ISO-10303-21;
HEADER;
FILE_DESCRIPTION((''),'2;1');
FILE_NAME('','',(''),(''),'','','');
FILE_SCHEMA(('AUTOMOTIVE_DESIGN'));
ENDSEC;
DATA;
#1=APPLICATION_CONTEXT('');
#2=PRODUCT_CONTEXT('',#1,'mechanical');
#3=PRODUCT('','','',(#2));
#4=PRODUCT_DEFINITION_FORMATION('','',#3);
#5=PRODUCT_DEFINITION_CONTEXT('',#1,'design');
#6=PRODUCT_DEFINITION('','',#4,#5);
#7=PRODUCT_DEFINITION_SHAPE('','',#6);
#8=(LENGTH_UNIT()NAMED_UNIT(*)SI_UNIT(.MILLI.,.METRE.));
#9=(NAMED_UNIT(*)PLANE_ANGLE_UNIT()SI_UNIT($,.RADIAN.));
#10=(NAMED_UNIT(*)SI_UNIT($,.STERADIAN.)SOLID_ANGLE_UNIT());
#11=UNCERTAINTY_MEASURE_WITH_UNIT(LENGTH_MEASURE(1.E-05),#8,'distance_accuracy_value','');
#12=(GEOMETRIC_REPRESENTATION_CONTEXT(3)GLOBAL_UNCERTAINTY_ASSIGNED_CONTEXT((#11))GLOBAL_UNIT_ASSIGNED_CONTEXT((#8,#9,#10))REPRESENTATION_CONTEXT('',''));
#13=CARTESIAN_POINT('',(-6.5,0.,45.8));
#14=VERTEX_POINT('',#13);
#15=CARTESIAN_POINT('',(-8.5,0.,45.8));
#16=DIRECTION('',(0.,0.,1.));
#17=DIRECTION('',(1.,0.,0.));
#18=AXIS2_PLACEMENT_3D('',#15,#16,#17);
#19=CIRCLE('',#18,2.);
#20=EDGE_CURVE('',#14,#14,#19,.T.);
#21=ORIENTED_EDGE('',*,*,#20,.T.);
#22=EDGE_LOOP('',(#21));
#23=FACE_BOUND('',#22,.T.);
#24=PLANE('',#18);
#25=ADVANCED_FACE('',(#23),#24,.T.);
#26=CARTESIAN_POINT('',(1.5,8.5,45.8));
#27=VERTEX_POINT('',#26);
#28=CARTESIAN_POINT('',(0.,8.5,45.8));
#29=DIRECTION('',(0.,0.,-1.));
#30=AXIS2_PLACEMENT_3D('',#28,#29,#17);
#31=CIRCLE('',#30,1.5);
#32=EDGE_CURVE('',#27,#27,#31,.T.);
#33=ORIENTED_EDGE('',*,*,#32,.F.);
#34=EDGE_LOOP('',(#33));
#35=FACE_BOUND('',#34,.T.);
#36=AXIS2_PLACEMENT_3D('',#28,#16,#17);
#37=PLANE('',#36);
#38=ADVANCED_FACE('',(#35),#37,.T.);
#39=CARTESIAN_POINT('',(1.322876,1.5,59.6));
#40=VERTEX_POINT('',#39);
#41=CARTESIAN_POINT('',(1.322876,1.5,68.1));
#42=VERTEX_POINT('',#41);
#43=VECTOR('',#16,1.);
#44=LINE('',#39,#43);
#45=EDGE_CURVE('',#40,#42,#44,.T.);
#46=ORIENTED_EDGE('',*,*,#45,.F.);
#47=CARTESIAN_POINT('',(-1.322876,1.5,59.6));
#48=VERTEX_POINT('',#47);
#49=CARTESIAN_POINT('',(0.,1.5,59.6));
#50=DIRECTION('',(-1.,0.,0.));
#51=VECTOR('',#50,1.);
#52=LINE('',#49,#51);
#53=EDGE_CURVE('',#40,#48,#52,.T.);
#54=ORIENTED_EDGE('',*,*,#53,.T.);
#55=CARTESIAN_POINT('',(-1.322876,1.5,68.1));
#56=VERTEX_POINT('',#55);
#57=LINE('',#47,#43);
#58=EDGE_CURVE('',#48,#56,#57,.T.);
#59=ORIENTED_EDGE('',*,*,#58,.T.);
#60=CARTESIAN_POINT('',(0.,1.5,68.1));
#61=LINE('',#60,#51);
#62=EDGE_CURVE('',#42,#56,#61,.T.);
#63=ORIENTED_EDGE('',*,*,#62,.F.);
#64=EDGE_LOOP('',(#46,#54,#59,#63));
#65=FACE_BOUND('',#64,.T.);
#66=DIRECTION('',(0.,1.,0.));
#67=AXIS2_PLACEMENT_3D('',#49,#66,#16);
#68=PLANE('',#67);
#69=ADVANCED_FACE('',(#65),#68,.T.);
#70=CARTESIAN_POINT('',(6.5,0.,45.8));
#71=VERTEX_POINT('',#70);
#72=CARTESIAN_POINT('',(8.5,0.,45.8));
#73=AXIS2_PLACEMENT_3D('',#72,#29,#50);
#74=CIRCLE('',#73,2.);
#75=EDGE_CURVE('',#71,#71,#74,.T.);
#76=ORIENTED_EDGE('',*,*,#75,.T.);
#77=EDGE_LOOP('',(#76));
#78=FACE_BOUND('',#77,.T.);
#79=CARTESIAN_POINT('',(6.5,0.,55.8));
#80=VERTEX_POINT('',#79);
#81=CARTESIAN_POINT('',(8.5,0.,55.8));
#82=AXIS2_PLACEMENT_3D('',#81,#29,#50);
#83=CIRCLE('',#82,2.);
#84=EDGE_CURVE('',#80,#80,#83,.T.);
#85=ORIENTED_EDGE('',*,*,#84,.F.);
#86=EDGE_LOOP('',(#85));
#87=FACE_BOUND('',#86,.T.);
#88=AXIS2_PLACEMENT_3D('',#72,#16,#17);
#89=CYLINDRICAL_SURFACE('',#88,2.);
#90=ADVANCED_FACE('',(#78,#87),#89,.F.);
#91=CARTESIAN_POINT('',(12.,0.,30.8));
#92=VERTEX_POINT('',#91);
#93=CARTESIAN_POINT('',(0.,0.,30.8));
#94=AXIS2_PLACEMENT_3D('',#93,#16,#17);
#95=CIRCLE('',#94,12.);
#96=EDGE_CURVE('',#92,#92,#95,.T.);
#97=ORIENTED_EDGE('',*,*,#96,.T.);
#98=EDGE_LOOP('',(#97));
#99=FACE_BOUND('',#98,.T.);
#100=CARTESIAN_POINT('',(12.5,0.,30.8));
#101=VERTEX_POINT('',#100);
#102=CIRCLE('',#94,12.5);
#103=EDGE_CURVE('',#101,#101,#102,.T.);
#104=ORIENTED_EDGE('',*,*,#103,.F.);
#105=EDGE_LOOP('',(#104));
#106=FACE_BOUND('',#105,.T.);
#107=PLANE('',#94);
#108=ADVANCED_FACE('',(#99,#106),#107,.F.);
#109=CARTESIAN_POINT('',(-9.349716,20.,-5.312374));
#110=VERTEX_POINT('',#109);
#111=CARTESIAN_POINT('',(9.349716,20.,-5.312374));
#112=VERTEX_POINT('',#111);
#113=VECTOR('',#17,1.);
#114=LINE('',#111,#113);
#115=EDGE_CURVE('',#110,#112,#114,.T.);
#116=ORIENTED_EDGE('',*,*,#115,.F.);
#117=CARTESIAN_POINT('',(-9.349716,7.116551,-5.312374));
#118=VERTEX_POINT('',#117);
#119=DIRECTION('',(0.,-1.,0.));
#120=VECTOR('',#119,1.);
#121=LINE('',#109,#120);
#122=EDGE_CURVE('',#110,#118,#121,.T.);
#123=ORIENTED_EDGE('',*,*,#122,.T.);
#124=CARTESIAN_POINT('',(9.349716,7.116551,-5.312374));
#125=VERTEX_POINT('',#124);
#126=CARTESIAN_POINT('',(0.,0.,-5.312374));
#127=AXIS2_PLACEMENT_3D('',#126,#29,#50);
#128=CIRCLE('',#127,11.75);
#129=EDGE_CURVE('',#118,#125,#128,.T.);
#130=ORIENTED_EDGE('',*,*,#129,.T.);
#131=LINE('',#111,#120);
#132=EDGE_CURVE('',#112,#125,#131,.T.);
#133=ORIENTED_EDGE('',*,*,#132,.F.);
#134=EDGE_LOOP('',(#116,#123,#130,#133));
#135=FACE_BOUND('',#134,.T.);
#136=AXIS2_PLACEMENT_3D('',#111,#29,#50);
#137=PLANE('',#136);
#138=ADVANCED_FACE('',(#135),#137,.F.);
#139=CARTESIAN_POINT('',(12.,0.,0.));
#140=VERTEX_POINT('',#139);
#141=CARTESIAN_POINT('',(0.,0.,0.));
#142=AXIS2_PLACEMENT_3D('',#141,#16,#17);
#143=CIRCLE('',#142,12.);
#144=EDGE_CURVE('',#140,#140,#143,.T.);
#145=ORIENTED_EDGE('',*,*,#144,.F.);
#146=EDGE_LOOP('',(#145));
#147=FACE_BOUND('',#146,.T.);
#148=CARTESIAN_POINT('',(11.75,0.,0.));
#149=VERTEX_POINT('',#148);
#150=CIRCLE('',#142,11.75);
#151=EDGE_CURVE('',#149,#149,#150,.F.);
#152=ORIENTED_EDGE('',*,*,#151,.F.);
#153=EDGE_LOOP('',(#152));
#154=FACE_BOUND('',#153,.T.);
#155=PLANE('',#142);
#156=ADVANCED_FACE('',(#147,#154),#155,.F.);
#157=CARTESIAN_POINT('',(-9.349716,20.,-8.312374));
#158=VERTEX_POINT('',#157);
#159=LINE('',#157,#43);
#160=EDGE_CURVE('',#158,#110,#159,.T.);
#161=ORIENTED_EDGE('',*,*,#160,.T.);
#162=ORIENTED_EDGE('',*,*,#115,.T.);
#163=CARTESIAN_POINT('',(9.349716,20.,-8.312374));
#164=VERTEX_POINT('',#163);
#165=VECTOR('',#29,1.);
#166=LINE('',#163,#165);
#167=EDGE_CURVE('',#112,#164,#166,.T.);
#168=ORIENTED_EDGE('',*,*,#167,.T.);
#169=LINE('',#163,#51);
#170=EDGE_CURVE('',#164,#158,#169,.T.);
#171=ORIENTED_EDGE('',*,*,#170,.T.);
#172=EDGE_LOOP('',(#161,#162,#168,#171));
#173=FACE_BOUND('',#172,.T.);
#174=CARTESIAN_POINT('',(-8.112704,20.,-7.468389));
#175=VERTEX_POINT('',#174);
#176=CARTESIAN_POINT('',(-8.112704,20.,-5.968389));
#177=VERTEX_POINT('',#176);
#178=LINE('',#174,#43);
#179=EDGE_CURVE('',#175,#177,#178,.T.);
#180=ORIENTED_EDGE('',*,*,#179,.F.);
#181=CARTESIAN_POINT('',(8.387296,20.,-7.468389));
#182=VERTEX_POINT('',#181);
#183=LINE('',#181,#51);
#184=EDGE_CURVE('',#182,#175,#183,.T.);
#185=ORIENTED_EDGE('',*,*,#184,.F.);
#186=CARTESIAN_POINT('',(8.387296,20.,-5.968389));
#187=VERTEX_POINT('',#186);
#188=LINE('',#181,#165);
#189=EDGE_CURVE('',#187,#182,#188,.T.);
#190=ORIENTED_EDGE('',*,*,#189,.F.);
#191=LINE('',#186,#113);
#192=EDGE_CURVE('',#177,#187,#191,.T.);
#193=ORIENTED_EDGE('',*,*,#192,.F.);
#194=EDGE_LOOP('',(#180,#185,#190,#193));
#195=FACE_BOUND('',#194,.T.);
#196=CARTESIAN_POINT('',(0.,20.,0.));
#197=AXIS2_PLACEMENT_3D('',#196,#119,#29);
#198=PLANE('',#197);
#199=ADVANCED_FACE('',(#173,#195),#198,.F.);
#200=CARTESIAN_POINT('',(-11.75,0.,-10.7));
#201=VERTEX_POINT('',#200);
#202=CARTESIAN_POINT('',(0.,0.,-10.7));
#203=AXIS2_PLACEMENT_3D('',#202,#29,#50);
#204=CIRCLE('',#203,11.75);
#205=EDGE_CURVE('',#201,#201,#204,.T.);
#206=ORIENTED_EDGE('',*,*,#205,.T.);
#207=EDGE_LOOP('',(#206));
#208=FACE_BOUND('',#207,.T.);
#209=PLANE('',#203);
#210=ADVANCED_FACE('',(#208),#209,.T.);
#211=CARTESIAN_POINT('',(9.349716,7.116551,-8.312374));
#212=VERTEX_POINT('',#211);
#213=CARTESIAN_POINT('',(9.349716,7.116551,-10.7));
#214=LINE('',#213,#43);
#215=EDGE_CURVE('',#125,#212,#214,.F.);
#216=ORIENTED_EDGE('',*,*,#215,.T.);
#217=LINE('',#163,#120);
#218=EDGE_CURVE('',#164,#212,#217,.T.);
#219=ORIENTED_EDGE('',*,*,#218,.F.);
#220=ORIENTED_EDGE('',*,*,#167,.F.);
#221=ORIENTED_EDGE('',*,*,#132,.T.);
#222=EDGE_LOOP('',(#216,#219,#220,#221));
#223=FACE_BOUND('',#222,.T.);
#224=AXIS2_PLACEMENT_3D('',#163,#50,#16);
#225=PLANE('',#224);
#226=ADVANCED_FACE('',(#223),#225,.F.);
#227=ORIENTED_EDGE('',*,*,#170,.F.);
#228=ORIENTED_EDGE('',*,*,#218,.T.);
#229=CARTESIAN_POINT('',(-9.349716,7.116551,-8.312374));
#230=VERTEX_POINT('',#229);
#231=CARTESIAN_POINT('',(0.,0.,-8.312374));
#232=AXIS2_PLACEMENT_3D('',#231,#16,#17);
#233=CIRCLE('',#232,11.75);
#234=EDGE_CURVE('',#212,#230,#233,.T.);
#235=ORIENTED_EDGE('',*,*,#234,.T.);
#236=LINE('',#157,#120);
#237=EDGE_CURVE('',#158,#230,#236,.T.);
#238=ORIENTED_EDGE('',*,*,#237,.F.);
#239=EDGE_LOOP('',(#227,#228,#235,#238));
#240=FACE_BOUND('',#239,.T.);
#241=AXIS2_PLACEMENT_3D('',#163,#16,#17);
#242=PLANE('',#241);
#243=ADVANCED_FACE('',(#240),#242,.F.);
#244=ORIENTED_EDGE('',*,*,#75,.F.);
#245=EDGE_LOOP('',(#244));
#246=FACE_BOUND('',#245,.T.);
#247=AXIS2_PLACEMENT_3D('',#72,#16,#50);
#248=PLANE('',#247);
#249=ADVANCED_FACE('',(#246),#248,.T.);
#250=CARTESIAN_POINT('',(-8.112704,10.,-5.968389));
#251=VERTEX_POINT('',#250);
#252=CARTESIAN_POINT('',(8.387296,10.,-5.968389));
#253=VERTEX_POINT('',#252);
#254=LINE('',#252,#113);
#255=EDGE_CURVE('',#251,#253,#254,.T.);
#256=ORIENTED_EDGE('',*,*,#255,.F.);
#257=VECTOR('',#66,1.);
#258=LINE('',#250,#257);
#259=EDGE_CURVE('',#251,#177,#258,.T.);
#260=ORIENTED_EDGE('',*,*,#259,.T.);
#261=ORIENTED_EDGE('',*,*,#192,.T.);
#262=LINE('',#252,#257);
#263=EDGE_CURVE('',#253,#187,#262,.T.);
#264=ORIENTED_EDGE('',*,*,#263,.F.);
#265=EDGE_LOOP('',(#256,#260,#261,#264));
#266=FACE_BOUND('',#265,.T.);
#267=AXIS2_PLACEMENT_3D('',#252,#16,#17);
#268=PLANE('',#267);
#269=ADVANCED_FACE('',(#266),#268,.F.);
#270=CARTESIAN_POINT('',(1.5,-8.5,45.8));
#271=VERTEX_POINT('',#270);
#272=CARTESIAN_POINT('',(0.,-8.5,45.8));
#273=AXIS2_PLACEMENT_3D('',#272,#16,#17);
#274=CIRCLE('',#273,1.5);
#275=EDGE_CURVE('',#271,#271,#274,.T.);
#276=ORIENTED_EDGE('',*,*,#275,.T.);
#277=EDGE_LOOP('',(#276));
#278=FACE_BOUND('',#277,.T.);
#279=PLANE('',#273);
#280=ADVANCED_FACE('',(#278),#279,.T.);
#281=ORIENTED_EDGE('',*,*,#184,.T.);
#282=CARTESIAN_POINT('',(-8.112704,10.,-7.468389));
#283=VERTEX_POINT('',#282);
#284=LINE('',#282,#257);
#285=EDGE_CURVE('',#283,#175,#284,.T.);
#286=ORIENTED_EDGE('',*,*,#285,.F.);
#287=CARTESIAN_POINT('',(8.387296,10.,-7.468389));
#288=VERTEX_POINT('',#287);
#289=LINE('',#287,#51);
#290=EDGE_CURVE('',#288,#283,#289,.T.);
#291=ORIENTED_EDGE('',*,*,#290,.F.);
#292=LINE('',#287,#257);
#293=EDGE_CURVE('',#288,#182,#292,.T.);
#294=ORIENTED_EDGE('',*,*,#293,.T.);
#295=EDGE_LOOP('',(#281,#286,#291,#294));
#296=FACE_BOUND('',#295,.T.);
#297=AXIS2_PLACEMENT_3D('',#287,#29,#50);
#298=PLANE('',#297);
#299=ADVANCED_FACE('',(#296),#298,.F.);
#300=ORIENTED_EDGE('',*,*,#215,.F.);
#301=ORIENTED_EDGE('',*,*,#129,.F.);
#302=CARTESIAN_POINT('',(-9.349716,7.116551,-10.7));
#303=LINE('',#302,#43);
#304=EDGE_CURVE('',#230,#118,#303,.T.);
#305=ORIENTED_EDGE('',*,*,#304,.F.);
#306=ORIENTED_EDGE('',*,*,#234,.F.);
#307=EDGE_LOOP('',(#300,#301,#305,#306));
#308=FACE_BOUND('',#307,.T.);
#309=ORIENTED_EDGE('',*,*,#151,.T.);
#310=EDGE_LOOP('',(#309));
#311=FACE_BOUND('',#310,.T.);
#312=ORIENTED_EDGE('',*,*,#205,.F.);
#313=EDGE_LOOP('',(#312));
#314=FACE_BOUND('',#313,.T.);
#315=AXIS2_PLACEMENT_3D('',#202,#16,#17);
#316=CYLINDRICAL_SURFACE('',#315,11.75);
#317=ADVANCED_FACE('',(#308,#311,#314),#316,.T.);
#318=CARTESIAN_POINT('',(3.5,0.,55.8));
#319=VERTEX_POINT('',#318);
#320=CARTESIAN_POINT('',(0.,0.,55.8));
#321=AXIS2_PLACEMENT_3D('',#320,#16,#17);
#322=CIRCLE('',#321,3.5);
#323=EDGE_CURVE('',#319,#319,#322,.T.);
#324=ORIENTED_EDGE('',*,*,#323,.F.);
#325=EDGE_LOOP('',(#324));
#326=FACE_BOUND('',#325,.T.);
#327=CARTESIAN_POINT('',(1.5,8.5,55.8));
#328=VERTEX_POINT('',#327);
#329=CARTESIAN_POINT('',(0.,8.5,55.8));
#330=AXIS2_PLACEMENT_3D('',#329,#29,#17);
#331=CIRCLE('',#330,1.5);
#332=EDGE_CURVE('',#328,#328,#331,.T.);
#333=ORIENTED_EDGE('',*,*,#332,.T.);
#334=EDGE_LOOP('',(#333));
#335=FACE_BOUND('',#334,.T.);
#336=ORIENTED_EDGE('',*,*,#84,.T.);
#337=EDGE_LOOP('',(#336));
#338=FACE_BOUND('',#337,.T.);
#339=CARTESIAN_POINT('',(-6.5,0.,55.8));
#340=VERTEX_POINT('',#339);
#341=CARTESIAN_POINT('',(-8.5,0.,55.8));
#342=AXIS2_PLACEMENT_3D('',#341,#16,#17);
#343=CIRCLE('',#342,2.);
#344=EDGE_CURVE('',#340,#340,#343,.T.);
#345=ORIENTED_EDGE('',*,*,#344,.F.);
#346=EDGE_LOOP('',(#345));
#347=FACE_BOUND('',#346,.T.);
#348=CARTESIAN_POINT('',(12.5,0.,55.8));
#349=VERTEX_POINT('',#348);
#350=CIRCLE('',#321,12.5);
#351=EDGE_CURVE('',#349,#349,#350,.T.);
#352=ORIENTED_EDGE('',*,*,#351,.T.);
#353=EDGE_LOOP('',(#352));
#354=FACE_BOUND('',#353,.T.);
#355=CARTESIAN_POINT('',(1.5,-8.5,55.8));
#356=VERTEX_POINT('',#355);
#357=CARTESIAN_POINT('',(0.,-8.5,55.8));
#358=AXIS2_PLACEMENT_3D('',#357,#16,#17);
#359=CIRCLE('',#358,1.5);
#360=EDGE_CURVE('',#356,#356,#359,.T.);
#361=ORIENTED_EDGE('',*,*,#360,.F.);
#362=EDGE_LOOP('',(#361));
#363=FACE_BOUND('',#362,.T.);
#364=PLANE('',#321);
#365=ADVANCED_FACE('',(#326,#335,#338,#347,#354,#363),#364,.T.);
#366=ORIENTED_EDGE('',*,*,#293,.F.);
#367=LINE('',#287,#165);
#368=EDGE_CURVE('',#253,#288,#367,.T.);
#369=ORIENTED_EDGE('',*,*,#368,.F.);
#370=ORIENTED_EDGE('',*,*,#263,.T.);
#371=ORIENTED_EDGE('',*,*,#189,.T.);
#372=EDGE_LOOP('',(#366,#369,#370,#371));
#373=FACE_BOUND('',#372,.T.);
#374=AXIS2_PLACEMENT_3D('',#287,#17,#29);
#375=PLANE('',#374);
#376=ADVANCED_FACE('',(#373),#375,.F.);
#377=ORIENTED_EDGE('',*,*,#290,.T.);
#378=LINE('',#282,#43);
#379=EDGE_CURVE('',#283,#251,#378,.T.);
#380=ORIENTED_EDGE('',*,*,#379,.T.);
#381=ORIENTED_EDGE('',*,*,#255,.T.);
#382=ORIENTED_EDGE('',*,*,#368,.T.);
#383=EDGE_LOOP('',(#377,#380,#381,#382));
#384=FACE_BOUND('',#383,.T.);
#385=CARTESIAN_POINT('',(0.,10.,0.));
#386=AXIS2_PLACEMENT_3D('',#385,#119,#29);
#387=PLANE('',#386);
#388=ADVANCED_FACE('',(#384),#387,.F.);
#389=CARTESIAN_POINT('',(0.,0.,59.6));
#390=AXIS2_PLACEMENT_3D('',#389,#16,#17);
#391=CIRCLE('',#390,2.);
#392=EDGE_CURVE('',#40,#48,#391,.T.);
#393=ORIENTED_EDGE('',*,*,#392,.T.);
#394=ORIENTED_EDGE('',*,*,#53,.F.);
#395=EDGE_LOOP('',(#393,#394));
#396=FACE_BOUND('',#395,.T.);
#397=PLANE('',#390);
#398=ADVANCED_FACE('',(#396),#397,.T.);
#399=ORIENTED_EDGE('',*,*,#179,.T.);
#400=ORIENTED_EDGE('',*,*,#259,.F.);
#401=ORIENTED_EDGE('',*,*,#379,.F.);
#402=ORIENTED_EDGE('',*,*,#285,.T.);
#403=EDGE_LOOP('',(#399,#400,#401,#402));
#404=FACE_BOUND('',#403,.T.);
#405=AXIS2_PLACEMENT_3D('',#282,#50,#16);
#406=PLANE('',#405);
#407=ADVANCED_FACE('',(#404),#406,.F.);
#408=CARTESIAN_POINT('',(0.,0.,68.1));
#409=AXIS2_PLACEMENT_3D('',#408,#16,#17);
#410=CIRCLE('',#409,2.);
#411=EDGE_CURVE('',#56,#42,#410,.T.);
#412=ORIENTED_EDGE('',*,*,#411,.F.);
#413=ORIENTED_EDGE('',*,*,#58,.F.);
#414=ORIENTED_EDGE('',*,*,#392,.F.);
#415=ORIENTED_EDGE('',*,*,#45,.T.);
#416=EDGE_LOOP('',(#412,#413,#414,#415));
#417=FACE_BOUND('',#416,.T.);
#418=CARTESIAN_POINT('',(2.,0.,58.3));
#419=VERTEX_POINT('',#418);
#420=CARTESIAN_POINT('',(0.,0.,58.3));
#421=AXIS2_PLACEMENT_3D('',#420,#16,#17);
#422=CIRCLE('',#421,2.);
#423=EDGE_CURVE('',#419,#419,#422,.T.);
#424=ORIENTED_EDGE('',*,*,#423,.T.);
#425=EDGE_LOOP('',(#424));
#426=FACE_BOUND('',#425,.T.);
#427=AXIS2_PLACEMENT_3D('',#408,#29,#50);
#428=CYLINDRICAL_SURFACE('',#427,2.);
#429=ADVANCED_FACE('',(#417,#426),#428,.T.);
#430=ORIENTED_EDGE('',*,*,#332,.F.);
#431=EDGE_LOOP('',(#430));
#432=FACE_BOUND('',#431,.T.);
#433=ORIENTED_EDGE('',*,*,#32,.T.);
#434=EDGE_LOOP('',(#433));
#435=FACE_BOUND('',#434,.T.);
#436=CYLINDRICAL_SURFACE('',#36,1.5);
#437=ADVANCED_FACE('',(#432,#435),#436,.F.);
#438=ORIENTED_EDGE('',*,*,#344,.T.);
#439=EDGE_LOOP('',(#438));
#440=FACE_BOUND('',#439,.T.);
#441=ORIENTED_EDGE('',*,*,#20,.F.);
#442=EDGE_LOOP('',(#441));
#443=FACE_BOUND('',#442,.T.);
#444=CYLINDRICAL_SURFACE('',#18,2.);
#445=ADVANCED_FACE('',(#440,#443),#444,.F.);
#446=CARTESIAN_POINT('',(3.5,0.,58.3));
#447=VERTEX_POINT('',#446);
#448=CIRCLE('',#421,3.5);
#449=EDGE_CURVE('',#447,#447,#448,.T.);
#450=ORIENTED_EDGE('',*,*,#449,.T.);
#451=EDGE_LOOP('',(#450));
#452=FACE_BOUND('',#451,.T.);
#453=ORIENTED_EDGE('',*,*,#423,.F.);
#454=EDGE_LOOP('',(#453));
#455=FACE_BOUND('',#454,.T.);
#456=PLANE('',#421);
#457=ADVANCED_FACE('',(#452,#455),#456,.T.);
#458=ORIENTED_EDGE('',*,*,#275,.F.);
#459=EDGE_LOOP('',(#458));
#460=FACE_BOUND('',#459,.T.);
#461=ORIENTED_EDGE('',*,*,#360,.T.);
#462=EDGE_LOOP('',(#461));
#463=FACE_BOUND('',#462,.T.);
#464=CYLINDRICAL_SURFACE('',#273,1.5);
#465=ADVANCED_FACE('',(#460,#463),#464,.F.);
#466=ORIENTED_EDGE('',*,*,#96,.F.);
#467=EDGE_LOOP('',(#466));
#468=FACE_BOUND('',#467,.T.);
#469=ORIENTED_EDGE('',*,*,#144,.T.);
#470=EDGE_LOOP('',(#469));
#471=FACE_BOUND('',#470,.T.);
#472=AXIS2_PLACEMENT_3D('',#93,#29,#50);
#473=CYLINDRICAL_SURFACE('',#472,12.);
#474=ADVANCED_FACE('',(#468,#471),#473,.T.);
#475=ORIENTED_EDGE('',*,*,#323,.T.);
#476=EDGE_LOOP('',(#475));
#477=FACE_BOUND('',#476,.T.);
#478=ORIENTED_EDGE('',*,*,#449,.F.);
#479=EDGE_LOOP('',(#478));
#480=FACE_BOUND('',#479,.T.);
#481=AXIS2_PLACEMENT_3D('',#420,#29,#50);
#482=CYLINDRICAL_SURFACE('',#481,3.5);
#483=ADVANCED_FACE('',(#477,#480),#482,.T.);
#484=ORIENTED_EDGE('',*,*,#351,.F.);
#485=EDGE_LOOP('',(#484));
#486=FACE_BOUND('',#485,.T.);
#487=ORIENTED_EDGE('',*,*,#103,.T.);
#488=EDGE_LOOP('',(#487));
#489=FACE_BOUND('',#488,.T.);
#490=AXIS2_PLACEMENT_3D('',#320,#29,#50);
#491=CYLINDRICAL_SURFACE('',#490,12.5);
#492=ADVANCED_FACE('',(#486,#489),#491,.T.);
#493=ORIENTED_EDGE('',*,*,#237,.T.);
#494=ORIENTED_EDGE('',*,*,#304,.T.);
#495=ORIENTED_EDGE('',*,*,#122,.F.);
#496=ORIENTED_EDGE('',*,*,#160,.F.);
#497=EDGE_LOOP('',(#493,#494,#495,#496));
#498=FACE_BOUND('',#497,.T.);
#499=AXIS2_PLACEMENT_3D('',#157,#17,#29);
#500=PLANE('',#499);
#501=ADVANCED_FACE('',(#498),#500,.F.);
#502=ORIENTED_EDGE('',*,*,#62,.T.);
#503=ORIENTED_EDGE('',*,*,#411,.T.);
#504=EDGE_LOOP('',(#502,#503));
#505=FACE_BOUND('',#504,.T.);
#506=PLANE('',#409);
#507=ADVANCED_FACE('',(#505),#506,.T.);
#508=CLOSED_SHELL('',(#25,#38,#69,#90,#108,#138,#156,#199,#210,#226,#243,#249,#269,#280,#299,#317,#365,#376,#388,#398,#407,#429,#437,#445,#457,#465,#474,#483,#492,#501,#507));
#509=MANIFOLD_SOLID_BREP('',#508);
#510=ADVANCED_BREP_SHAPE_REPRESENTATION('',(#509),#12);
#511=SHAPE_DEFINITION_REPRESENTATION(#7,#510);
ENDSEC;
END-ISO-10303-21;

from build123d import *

# Parameters (mm, degrees)
SKETCH1_R           = 12
BOSS_EXTRUDE1_DEPTH = 30.8
SKETCH2_R           = 12.5
BOSS_EXTRUDE2_DEPTH = 25
SKETCH3_R           = 3.5
BOSS_EXTRUDE3_DEPTH = 2.5
SKETCH4_R           = 2
BOSS_EXTRUDE4_DEPTH = 9.8
CUT_EXTRUDE1_DEPTH  = 8.5
SKETCH6_R           = 11.75
BOSS_EXTRUDE5_DEPTH = 10.7
SKETCH7_W           = 18.699432978
SKETCH7_H           = 3
BOSS_EXTRUDE6_DEPTH = 20
SKETCH8_R           = 1.5
CUT_EXTRUDE2_DEPTH  = 10
SKETCH9_R           = 2
CUT_EXTRUDE3_DEPTH  = 10
SKETCH10_W          = 16.5
SKETCH10_H          = 1.5
CUT_EXTRUDE4_DEPTH  = 10


with BuildPart() as part:
    # Sketch1 → Boss-Extrude1 (new body)
    with BuildSketch(Plane.XY):
        Circle(SKETCH1_R)
    extrude(amount=BOSS_EXTRUDE1_DEPTH)

    # Sketch2 → Boss-Extrude2 (add)
    with BuildSketch(Plane.XY.offset(30.8)):
        Circle(SKETCH2_R)
    extrude(amount=BOSS_EXTRUDE2_DEPTH)

    # Sketch3 → Boss-Extrude3 (add)
    with BuildSketch(Plane.XY.offset(55.8)):
        Circle(SKETCH3_R)
    extrude(amount=BOSS_EXTRUDE3_DEPTH)

    # Sketch4 → Boss-Extrude4 (add)
    with BuildSketch(Plane.XY.offset(58.3)):
        Circle(SKETCH4_R)
    extrude(amount=BOSS_EXTRUDE4_DEPTH)

    # Sketch5 → Cut-Extrude1 (cut)
    with BuildSketch(Plane.XY.offset(68.1)):
        with BuildLine():
            Line((-1.322875656, 1.5), (0, 1.5))
            Line((0, 1.5), (1.322875656, 1.5))
            ThreePointArc((1.322875656, 1.5), (0, 2), (-1.322875656, 1.5))
        make_face()
    extrude(amount=-CUT_EXTRUDE1_DEPTH, mode=Mode.SUBTRACT)

    # Sketch6 → Boss-Extrude5 (add)
    with BuildSketch(Plane(origin=(0, 0, 0), x_dir=(-1, 0, 0), z_dir=(0, 0, -1))):
        Circle(SKETCH6_R)
    extrude(amount=BOSS_EXTRUDE5_DEPTH)

    # Sketch7 → Boss-Extrude6 (add)
    with BuildSketch(Plane(origin=(0, 0, 0), x_dir=(1, 0, 0), z_dir=(0, 1, 0))):
        with Locations((0, 6.81237414)):
            Rectangle(SKETCH7_W, SKETCH7_H)
    extrude(amount=BOSS_EXTRUDE6_DEPTH)

    # Sketch8 → Cut-Extrude2 (cut)
    with BuildSketch(Plane.XY.offset(55.8)):
        with Locations((0, -8.5)):
            Circle(SKETCH8_R)
    cut_extrude2 = extrude(amount=-CUT_EXTRUDE2_DEPTH, mode=Mode.SUBTRACT)

    # Mirror1: Cut-Extrude2 across plane
    add(cut_extrude2.mirror(Plane.ZX), mode=Mode.SUBTRACT)

    # Sketch9 → Cut-Extrude3 (cut)
    with BuildSketch(Plane.XY.offset(55.8)):
        with Locations((-8.5, 0)):
            Circle(SKETCH9_R)
    cut_extrude3 = extrude(amount=-CUT_EXTRUDE3_DEPTH, mode=Mode.SUBTRACT)

    # Mirror3: Cut-Extrude3 across plane
    add(cut_extrude3.mirror(Plane(origin=(0, 0, 0), x_dir=(0, 0, 1), z_dir=(1, 0, 0))), mode=Mode.SUBTRACT)

    # Sketch10 → Cut-Extrude4 (cut)
    with BuildSketch(Plane(origin=(0, 20, 0), x_dir=(1, 0, 0), z_dir=(0, 1, 0))):
        with Locations((0.137296408, 6.718389465)):
            Rectangle(SKETCH10_W, SKETCH10_H)
    extrude(amount=-CUT_EXTRUDE4_DEPTH, mode=Mode.SUBTRACT)


solid = part.part
